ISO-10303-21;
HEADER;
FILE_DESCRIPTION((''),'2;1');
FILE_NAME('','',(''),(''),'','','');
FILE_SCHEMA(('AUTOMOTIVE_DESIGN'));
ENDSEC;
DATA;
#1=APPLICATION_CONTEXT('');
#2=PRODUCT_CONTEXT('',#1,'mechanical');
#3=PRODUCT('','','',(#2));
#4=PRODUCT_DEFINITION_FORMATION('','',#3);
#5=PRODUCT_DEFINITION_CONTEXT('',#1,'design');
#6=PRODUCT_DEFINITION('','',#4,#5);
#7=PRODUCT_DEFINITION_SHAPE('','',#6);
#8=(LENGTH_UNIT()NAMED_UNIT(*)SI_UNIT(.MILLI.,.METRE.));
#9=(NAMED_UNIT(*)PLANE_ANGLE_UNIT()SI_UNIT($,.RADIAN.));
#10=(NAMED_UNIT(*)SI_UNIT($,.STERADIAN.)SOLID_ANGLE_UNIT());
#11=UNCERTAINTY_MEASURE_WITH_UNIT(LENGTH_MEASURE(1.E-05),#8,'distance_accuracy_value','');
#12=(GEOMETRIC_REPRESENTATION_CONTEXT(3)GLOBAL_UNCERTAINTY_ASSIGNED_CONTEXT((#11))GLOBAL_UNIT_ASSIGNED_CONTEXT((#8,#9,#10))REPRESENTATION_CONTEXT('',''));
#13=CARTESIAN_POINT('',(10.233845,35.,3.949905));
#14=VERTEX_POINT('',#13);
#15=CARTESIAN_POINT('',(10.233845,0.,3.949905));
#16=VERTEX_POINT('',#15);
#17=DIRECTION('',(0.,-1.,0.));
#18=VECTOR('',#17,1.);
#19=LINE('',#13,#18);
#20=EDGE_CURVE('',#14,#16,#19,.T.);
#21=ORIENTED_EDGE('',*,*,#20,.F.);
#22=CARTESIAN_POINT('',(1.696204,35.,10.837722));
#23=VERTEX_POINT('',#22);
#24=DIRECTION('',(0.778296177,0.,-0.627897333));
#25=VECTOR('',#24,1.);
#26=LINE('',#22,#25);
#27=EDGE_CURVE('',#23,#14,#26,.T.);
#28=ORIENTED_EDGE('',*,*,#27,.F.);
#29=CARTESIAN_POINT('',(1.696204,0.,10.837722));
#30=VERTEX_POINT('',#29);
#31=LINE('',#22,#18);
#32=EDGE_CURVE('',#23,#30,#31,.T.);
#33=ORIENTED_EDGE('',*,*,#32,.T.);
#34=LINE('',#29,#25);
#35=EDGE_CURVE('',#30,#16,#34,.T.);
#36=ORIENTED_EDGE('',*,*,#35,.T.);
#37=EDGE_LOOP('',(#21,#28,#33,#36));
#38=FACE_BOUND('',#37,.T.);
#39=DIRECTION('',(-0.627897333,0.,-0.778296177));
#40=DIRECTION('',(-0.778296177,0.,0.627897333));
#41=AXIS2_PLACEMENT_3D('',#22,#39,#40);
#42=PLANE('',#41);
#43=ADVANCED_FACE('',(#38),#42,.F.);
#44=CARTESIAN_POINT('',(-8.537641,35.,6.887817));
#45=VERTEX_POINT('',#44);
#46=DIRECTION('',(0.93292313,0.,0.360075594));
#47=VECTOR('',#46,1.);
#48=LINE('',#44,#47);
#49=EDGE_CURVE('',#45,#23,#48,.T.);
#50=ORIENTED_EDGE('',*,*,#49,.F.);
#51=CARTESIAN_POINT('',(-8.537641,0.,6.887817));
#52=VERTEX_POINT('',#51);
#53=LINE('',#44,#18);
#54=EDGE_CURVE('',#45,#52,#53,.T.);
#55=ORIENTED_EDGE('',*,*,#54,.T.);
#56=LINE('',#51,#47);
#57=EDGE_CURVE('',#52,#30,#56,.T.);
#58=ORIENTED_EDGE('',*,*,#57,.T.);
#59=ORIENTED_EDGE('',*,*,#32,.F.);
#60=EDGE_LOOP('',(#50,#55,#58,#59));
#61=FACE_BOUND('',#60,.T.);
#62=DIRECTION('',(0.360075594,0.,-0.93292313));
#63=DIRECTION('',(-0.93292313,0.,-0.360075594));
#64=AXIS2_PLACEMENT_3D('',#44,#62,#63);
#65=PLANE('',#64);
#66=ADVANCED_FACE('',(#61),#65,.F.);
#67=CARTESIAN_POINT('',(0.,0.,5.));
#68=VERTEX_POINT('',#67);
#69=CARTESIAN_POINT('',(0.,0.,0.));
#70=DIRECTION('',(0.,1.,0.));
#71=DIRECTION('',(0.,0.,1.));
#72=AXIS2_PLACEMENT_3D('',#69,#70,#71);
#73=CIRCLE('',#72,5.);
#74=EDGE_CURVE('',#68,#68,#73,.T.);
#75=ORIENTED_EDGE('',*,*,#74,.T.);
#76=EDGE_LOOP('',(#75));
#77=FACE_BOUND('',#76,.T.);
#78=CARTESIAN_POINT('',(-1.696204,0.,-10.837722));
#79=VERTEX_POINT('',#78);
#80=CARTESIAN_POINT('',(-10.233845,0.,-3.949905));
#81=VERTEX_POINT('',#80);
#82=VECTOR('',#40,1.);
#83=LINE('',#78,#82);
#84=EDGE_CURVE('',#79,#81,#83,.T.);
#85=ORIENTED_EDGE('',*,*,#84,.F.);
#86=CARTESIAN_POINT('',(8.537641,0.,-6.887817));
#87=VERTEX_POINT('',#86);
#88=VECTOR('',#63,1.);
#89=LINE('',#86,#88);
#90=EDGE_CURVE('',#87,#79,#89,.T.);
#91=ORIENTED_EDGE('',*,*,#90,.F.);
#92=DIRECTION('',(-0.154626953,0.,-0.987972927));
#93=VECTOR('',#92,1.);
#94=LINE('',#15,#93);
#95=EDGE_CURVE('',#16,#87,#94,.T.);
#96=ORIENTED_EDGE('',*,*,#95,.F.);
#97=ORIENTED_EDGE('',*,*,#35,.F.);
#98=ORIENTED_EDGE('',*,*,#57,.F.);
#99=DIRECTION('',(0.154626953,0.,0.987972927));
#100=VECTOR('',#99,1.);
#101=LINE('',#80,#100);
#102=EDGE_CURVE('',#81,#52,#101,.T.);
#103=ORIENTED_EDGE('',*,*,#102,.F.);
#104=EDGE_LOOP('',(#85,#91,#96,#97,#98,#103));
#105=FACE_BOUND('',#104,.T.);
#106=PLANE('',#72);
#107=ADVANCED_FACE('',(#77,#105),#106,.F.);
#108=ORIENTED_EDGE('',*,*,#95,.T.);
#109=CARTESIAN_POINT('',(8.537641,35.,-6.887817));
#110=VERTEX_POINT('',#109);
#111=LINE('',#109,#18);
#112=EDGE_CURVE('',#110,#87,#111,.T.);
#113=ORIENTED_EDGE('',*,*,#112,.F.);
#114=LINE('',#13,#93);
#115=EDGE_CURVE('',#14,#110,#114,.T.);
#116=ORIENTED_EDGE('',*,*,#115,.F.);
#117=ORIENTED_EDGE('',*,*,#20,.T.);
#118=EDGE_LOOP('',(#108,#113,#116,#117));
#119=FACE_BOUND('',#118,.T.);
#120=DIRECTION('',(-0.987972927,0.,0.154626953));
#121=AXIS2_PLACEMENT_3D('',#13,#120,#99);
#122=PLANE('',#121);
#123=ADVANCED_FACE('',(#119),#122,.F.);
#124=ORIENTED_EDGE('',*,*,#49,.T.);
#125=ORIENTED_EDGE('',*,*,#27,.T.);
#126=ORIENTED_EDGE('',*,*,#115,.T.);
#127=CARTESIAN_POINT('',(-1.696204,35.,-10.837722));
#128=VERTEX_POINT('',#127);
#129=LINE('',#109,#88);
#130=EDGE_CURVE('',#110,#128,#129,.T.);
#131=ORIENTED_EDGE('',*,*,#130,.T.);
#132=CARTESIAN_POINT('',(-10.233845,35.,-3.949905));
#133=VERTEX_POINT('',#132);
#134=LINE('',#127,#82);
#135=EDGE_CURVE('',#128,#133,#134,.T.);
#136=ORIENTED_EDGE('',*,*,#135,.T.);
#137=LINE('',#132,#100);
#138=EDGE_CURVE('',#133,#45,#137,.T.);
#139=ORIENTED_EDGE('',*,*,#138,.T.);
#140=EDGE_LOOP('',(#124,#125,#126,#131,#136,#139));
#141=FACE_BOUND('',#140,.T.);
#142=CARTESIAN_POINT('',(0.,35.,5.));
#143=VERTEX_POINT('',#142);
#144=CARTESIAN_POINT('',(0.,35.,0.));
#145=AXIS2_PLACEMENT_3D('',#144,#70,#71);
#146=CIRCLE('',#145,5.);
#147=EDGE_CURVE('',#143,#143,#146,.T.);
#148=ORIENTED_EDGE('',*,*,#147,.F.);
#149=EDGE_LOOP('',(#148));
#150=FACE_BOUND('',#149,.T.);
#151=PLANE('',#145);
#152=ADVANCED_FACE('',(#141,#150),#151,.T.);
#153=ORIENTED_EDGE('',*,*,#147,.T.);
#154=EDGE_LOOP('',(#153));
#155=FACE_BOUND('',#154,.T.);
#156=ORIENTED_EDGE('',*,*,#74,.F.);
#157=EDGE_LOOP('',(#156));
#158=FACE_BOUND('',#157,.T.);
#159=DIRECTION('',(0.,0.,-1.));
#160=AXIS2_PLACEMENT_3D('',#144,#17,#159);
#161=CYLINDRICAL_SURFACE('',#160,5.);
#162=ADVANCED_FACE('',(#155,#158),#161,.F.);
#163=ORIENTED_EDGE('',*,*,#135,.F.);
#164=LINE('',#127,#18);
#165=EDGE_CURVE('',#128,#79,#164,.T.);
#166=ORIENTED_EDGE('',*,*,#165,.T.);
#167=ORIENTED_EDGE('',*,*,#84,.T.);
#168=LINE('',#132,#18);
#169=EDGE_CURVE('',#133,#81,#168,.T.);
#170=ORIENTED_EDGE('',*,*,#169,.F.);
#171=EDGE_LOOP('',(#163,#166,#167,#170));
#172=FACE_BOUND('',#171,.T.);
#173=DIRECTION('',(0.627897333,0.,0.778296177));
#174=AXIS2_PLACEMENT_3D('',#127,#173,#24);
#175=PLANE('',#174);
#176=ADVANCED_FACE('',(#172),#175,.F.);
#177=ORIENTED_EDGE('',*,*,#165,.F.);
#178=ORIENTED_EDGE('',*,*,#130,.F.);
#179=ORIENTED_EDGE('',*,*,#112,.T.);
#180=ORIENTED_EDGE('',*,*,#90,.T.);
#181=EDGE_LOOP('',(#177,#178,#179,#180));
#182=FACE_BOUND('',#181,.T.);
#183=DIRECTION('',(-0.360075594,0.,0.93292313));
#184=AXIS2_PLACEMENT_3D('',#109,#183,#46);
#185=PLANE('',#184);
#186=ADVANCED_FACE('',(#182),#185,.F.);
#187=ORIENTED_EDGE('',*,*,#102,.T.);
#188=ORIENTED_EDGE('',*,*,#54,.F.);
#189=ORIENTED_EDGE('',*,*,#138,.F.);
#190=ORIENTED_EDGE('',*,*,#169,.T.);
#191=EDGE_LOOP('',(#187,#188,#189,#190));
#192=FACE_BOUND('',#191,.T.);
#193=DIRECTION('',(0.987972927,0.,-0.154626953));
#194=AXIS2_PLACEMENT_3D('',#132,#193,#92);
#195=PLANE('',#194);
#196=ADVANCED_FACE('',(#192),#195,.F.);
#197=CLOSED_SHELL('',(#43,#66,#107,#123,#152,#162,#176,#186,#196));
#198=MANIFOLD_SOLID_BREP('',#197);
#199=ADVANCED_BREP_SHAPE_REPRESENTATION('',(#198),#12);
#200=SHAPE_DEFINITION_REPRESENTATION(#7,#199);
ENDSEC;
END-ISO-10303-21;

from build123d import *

# Parameters (mm, degrees)
SZKIC1_R                    = 5
DODANIE_WYCI_GNI_CIE1_DEPTH = 35


with BuildPart() as part:
    # Szkic1 → Dodanie-wyciągnięcie1 (new body)
    with BuildSketch(Plane(origin=(0, 0, 0), x_dir=(1, 0, 0), z_dir=(0, 1, 0))):
        Polygon((-10.233844985, 3.949905082), (-8.537640636, -6.887817194), (1.696204349, -10.837722276), (10.233844985, -3.949905082), (8.537640636, 6.887817194), (-1.696204349, 10.837722276), align=None)
        with Locations(Location((0, 0, 0), (0, 0, 270))):
            Circle(SZKIC1_R, mode=Mode.SUBTRACT)
    extrude(amount=DODANIE_WYCI_GNI_CIE1_DEPTH)


solid = part.part
